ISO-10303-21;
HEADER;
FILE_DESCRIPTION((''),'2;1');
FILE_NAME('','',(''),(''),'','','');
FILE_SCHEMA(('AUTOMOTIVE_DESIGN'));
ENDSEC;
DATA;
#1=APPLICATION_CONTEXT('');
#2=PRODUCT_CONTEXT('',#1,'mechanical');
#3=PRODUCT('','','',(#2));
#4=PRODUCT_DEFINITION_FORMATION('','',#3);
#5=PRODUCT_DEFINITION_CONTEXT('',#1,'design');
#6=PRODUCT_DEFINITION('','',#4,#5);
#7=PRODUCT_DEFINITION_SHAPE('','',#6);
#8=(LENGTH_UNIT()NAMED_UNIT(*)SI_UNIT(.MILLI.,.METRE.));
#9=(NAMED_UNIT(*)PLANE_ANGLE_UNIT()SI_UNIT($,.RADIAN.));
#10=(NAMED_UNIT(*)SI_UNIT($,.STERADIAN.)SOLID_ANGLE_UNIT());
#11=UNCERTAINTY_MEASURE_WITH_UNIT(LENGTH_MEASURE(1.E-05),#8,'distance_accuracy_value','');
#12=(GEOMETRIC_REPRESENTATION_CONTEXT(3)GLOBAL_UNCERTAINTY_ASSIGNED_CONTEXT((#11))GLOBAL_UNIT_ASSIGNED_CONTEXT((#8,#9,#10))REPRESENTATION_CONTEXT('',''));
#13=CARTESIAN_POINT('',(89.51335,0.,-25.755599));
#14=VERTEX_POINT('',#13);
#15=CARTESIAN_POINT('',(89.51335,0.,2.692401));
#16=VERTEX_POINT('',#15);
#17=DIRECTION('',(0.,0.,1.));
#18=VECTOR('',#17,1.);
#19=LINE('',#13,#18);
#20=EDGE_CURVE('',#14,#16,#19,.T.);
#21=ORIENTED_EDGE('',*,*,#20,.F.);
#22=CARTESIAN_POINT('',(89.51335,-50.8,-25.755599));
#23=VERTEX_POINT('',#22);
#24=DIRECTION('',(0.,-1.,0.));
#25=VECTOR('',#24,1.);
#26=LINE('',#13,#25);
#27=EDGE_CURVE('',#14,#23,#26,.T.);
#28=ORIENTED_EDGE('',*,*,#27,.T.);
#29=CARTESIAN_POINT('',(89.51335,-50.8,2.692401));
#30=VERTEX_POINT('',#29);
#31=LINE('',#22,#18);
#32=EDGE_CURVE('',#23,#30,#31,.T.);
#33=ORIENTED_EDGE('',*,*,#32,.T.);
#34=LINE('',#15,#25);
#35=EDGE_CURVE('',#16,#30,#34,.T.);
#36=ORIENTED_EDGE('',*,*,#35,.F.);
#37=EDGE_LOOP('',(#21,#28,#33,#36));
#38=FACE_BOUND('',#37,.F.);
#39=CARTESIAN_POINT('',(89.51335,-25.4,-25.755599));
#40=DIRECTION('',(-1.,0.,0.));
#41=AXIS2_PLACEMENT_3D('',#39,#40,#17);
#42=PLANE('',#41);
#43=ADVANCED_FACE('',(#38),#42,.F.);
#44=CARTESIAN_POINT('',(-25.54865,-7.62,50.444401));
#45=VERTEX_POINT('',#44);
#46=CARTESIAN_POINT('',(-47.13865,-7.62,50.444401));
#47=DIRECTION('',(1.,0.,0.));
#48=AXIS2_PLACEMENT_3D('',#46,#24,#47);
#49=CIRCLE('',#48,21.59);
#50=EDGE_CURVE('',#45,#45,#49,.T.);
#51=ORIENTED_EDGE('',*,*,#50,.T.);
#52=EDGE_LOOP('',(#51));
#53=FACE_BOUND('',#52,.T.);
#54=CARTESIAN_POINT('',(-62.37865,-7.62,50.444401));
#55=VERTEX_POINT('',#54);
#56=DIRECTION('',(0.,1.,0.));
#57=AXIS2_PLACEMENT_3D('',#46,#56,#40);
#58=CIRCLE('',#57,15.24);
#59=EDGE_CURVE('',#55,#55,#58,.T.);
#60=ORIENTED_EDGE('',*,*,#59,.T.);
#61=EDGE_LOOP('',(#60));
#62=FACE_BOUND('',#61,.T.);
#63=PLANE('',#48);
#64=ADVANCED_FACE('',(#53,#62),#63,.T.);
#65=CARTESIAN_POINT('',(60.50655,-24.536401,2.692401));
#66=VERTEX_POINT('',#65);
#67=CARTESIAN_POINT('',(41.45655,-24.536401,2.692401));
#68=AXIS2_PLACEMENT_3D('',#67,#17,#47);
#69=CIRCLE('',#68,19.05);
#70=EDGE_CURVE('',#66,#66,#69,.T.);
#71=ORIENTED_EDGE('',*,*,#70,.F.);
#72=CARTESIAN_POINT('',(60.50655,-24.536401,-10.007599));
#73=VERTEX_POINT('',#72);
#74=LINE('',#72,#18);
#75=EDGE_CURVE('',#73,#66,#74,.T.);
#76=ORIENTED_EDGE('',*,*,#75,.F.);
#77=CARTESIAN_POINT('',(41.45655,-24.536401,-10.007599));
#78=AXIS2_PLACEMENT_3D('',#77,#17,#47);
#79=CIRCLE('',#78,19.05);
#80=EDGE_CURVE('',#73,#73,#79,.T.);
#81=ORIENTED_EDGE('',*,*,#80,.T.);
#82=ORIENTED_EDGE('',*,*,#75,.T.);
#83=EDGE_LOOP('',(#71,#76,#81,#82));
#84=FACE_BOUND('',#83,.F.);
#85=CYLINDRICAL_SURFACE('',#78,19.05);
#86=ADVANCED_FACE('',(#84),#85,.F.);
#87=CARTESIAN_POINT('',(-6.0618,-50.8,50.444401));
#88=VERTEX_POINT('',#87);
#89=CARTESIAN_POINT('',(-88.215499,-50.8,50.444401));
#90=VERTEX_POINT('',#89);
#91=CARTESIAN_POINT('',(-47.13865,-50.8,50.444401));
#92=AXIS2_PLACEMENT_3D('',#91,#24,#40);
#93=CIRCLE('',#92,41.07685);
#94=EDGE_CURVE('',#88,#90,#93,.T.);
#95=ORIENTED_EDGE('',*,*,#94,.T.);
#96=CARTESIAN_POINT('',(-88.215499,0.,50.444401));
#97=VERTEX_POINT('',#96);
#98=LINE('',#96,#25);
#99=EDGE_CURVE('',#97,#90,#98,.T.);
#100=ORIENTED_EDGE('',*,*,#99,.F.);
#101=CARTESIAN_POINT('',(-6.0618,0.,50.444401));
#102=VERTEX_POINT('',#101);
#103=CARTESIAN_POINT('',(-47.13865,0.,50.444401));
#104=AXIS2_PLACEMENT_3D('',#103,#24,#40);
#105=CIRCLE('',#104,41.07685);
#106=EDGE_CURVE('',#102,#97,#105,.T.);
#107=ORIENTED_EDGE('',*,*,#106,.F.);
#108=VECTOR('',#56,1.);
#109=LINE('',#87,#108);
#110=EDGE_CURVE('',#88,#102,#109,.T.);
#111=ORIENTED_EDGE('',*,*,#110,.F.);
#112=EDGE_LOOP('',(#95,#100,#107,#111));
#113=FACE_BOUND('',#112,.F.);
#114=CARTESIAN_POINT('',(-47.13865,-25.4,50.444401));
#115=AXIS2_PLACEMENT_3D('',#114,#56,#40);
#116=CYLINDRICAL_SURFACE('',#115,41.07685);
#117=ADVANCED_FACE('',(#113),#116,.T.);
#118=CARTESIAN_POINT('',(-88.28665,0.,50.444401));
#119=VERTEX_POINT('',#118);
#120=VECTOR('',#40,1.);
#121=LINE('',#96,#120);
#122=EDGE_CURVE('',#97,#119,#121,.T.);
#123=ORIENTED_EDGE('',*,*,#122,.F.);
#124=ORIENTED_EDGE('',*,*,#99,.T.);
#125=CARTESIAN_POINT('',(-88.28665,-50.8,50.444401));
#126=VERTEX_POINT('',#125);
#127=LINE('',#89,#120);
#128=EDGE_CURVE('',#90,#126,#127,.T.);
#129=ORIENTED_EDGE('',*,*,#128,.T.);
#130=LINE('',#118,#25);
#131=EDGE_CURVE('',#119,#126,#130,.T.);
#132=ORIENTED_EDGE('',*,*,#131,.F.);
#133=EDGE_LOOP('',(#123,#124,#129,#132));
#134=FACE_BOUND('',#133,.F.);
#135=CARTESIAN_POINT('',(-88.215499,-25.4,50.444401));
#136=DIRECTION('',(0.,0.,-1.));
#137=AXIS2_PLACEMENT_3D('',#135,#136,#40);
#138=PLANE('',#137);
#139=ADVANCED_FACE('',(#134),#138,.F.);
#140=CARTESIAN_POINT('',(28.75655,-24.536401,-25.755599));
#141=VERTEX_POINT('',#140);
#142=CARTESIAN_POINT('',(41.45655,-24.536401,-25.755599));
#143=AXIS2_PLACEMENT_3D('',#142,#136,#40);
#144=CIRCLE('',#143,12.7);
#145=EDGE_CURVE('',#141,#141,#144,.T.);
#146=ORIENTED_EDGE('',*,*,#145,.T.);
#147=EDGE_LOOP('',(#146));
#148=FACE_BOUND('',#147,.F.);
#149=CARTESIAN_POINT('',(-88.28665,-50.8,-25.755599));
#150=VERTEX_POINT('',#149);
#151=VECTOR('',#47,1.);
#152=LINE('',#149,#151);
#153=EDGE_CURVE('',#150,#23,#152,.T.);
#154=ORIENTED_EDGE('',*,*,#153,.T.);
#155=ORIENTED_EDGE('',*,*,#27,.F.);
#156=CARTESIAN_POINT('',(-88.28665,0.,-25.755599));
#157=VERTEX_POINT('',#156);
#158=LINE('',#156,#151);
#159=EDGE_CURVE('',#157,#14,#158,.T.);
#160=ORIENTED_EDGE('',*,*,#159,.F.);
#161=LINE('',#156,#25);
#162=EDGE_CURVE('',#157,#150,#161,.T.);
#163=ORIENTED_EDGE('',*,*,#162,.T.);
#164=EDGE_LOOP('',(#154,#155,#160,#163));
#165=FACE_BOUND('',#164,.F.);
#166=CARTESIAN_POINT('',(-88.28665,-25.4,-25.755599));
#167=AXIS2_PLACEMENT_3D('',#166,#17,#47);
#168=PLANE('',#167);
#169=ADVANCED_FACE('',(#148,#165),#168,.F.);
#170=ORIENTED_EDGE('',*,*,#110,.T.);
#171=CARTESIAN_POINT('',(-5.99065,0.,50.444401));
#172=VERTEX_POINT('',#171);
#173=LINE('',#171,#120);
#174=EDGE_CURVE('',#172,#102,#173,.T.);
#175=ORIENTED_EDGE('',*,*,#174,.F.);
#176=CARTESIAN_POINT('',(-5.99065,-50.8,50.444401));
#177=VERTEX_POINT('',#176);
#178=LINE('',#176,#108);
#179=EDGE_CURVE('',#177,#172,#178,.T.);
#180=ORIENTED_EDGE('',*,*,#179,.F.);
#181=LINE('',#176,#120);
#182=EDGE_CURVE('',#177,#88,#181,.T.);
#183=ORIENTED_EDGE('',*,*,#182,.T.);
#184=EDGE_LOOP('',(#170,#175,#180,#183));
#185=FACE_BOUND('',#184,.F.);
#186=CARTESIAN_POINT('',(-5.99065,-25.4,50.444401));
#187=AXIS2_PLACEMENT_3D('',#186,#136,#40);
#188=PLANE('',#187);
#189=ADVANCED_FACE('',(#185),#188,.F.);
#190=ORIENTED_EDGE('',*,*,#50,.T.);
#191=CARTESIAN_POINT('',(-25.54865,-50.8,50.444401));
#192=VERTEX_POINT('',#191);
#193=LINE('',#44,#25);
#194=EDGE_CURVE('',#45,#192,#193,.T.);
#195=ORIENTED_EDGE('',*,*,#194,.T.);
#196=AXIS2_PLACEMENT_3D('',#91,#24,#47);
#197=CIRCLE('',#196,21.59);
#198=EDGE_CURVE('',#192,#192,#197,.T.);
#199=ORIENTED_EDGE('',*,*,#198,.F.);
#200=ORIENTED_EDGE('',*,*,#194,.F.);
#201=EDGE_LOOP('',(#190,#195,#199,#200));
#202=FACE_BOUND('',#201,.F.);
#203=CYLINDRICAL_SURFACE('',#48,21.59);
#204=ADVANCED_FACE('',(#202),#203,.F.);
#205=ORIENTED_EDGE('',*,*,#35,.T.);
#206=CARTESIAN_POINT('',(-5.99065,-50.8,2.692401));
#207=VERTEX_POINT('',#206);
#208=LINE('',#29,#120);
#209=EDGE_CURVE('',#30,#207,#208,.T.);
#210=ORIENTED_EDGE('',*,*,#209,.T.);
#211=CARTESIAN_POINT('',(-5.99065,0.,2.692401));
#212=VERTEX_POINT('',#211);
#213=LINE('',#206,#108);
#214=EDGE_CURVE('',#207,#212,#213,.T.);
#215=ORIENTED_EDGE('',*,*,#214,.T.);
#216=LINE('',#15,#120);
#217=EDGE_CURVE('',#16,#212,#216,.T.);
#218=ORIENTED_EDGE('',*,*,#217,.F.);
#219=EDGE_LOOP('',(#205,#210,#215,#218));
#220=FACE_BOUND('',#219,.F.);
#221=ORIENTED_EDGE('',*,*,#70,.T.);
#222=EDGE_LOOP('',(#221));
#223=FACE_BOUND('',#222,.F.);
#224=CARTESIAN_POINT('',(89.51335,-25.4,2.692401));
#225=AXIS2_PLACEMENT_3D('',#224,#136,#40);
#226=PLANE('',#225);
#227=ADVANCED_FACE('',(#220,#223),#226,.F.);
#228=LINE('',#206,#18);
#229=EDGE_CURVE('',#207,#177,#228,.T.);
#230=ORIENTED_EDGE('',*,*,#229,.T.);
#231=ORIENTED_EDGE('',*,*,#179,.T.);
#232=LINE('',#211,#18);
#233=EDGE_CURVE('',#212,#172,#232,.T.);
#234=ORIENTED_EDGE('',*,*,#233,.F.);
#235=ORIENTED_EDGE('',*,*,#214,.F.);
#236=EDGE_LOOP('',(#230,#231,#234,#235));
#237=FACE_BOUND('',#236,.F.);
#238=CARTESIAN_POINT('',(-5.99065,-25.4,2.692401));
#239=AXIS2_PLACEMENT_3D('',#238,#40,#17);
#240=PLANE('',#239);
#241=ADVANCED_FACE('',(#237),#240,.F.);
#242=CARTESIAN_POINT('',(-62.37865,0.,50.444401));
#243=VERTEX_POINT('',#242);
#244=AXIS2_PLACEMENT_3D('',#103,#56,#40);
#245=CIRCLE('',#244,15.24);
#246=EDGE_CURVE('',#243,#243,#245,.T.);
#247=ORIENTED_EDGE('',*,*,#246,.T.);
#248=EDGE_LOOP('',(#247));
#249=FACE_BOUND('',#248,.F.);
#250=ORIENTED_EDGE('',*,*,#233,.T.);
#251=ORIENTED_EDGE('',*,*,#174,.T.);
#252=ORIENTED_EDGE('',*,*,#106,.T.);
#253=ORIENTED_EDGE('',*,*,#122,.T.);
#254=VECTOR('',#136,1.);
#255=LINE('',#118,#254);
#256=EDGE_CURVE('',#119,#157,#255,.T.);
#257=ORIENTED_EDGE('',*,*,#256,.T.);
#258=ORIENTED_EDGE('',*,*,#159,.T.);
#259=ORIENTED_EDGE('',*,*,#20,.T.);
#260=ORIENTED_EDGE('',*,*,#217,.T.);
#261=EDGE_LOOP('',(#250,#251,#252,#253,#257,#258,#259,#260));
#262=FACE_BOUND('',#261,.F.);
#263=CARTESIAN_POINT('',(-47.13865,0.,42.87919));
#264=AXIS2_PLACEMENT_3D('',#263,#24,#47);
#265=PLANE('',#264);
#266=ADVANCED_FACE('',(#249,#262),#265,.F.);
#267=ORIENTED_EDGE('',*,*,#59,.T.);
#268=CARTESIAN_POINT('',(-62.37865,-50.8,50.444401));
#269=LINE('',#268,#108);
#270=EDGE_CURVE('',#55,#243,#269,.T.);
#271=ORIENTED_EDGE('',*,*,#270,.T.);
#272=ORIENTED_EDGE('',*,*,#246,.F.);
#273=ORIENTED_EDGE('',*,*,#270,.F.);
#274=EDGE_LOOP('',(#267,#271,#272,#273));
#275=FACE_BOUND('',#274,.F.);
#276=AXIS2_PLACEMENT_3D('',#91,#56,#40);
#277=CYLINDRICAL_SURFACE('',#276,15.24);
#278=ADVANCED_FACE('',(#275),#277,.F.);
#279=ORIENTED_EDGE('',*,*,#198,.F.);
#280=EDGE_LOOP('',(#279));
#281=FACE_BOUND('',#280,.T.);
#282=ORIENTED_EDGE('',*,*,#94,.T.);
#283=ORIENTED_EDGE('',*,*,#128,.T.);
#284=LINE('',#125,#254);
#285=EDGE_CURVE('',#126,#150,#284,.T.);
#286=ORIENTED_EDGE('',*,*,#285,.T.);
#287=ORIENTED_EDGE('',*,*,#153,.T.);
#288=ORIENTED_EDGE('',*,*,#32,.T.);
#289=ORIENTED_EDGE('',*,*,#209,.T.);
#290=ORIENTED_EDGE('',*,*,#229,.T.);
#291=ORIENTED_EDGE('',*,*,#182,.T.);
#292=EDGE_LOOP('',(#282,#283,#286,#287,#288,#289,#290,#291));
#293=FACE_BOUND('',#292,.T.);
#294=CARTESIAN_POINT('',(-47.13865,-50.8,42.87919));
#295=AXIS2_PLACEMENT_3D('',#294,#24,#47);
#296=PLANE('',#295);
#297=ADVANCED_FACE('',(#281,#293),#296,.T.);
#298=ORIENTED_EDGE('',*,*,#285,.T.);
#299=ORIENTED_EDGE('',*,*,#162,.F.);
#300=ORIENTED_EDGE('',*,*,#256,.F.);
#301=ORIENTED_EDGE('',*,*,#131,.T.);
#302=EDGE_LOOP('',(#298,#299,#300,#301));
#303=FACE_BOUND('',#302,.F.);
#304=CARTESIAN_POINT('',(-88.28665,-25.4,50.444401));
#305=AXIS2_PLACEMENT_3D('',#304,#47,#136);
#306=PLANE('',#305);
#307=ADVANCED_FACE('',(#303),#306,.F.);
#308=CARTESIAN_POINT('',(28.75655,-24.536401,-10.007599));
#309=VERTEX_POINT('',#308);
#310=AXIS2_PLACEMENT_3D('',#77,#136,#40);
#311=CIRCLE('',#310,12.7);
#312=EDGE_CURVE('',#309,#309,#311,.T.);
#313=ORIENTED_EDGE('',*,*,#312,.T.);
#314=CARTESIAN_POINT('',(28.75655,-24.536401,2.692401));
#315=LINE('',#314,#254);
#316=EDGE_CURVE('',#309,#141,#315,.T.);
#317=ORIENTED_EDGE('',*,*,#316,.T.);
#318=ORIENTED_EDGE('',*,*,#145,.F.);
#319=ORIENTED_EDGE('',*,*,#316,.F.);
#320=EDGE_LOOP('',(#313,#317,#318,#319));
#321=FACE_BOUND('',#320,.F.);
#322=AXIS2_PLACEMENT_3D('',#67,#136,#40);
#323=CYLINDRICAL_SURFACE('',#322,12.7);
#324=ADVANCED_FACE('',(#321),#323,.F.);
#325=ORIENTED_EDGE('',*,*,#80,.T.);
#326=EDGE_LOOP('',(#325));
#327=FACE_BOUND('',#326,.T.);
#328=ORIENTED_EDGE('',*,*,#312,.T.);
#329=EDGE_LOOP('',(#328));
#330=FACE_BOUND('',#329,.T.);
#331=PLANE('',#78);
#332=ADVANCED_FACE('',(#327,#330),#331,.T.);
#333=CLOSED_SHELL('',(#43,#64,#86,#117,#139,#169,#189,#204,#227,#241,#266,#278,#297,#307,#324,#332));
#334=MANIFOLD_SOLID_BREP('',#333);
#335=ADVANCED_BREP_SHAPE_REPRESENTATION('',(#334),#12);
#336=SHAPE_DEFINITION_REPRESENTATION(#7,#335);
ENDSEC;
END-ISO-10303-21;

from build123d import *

# Parameters (mm, degrees)
F1_DEPTH       = 25.4
F2_DEPTH       = 25.4
F4_D           = 25.4
F4_CBORE_D     = 38.1
F4_CBORE_DEPTH = 12.7
F5_DEPTH       = 25.4
F6_DEPTH       = 25.4
F8_D           = 30.48
F8_CBORE_D     = 43.18
F8_CBORE_DEPTH = 43.18


with BuildPart() as f1:
    # F0 (on Front) → F1 (new body)
    with BuildSketch(Plane.XZ):
        with BuildLine():
            ThreePointArc((-6.0617997533, 50.4444008589), (-47.1386495735, 91.5212506791), (-88.2154993937, 50.4444008589))
            Line((-88.2154993937, 50.4444008589), (-68.9775327914, 50.4444008589))
            ThreePointArc((-68.9775327914, 50.4444008589), (-47.1386495735, 72.2832840767), (-25.2997663556, 50.4444008589))
            Line((-25.2997663556, 50.4444008589), (-6.0617997533, 50.4444008589))
        make_face()
        with BuildLine():
            Line((-68.9775327914, 50.4444008589), (-88.2154993937, 50.4444008589))
            ThreePointArc((-88.2154993937, 50.4444008589), (-47.1386495735, 9.3675510387), (-6.0617997533, 50.4444008589))
            Line((-6.0617997533, 50.4444008589), (-25.2997663556, 50.4444008589))
            ThreePointArc((-25.2997663556, 50.4444008589), (-47.1386495735, 28.605517641), (-68.9775327914, 50.4444008589))
        make_face()
        with BuildLine():
            Line((-88.2866495735, 50.4444008589), (-88.2866495735, -25.7555991411))
            Line((-88.2866495735, -25.7555991411), (89.5133504265, -25.7555991411))
            Line((89.5133504265, -25.7555991411), (89.5133504265, 2.6924008589))
            Line((89.5133504265, 2.6924008589), (-5.9906495735, 2.6924008589))
            Line((-5.9906495735, 2.6924008589), (-5.9906495735, 50.4444008589))
            Line((-5.9906495735, 50.4444008589), (-6.0617997533, 50.4444008589))
            ThreePointArc((-6.0617997533, 50.4444008589), (-47.1386495735, 9.3675510387), (-88.2154993937, 50.4444008589))
            Line((-88.2154993937, 50.4444008589), (-88.2866495735, 50.4444008589))
        make_face()
    extrude(amount=F1_DEPTH)

    # F2 (add): a face of the model
    f2_faces = [f1.faces().sort_by_distance(p)[0] for p in [
        (-23.3187363133, -25.4, 14.8327425436),
    ]]
    extrude(f2_faces, amount=F2_DEPTH)

    # F4 (through all)
    with Locations(Plane.XY.offset(2.6924008589)):
        with Locations((41.4565503597, -24.5364010334)):
            CounterBoreHole(F4_D / 2, F4_CBORE_D / 2, F4_CBORE_DEPTH)

    # F0 (on Front) → F5 (join)
    with BuildSketch(Plane.XZ):
        with BuildLine():
            Line((-47.1386495735, 50.4444008589), (-68.9775327914, 50.4444008589))
            ThreePointArc((-68.9775327914, 50.4444008589), (-47.1386495735, 28.605517641), (-25.2997663556, 50.4444008589))
            Line((-25.2997663556, 50.4444008589), (-47.1386495735, 50.4444008589))
        make_face()
        with BuildLine():
            ThreePointArc((-25.2997663556, 50.4444008589), (-47.1386495735, 72.2832840767), (-68.9775327914, 50.4444008589))
            Line((-68.9775327914, 50.4444008589), (-47.1386495735, 50.4444008589))
            Line((-47.1386495735, 50.4444008589), (-25.2997663556, 50.4444008589))
        make_face()
    extrude(amount=F5_DEPTH)

    # F6 (add): a face of the model
    f6_faces = [f1.faces().sort_by_distance(p)[0] for p in [
        (-47.1386495735, -25.4, 50.4444008589),
    ]]
    extrude(f6_faces, amount=F6_DEPTH)

    # F8 (through all)
    with Locations(Plane.XZ.offset(50.8)):
        with Locations((-47.1386495735, 50.4444008589)):
            CounterBoreHole(F8_D / 2, F8_CBORE_D / 2, F8_CBORE_DEPTH)


solid = f1.part
